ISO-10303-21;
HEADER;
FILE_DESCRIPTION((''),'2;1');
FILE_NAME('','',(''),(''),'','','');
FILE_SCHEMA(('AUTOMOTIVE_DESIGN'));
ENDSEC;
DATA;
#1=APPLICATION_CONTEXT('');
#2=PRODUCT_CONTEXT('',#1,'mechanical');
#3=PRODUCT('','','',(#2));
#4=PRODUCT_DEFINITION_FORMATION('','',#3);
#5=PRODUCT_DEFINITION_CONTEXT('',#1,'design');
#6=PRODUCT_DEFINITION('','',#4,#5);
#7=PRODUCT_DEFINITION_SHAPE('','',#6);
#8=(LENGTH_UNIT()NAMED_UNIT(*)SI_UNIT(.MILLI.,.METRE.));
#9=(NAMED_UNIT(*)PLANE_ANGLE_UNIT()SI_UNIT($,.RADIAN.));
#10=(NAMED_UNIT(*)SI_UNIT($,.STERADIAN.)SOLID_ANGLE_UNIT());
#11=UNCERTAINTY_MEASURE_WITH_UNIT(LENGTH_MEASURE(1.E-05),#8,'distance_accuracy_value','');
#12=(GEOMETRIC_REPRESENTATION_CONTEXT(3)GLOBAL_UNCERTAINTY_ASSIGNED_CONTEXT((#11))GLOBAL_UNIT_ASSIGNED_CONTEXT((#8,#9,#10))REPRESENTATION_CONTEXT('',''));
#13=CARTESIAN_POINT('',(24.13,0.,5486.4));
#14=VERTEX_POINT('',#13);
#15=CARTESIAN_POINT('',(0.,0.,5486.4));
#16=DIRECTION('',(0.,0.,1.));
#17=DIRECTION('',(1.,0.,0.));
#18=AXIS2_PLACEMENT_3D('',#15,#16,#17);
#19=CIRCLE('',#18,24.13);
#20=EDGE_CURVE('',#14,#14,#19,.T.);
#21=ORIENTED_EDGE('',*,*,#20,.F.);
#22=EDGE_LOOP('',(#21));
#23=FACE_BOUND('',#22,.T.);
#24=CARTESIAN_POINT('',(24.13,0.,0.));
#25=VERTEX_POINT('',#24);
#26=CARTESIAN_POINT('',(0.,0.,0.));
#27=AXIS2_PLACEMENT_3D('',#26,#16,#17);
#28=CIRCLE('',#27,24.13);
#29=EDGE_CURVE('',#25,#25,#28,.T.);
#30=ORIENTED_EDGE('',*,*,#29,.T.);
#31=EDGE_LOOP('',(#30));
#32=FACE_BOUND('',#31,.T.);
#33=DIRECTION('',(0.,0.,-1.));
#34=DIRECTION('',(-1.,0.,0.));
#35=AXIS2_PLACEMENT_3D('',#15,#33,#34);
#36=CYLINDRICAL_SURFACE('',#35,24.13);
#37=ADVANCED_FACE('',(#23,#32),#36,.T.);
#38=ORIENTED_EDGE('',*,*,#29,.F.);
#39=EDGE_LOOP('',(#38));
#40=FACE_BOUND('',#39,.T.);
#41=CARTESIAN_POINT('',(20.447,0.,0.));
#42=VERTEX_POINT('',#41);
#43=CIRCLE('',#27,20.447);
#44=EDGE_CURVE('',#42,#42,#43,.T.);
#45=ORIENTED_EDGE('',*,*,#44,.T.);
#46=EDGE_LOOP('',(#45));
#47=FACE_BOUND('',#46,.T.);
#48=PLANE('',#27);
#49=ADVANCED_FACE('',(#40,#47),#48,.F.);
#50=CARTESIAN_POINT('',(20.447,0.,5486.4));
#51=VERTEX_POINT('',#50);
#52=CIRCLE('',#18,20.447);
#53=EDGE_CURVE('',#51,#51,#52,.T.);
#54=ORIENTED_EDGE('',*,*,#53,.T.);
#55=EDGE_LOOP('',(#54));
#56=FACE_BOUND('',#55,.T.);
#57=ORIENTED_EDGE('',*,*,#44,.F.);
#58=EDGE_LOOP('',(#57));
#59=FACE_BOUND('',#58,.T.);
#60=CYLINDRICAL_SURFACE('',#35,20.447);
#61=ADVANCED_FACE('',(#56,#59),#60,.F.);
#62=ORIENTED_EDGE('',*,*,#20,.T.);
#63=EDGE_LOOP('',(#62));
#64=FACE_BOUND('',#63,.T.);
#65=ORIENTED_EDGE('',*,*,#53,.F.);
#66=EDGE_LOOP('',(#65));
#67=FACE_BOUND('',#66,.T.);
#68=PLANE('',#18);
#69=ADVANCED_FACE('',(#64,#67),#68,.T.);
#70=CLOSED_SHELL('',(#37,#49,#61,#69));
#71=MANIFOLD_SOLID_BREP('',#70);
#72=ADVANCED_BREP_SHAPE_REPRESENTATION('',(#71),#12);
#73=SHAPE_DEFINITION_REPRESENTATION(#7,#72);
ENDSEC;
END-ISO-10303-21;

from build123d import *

# Parameters (mm, degrees)
PIPESKETCH_R    = 24.13
PIPESKETCH_R_2  = 20.447
EXTRUSION_DEPTH = 5486.4


with BuildPart() as part:
    # PipeSketch → Extrusion (new body)
    with BuildSketch(Plane.XY):
        Circle(PIPESKETCH_R)
        Circle(PIPESKETCH_R_2, mode=Mode.SUBTRACT)
    extrude(amount=EXTRUSION_DEPTH)


solid = part.part
